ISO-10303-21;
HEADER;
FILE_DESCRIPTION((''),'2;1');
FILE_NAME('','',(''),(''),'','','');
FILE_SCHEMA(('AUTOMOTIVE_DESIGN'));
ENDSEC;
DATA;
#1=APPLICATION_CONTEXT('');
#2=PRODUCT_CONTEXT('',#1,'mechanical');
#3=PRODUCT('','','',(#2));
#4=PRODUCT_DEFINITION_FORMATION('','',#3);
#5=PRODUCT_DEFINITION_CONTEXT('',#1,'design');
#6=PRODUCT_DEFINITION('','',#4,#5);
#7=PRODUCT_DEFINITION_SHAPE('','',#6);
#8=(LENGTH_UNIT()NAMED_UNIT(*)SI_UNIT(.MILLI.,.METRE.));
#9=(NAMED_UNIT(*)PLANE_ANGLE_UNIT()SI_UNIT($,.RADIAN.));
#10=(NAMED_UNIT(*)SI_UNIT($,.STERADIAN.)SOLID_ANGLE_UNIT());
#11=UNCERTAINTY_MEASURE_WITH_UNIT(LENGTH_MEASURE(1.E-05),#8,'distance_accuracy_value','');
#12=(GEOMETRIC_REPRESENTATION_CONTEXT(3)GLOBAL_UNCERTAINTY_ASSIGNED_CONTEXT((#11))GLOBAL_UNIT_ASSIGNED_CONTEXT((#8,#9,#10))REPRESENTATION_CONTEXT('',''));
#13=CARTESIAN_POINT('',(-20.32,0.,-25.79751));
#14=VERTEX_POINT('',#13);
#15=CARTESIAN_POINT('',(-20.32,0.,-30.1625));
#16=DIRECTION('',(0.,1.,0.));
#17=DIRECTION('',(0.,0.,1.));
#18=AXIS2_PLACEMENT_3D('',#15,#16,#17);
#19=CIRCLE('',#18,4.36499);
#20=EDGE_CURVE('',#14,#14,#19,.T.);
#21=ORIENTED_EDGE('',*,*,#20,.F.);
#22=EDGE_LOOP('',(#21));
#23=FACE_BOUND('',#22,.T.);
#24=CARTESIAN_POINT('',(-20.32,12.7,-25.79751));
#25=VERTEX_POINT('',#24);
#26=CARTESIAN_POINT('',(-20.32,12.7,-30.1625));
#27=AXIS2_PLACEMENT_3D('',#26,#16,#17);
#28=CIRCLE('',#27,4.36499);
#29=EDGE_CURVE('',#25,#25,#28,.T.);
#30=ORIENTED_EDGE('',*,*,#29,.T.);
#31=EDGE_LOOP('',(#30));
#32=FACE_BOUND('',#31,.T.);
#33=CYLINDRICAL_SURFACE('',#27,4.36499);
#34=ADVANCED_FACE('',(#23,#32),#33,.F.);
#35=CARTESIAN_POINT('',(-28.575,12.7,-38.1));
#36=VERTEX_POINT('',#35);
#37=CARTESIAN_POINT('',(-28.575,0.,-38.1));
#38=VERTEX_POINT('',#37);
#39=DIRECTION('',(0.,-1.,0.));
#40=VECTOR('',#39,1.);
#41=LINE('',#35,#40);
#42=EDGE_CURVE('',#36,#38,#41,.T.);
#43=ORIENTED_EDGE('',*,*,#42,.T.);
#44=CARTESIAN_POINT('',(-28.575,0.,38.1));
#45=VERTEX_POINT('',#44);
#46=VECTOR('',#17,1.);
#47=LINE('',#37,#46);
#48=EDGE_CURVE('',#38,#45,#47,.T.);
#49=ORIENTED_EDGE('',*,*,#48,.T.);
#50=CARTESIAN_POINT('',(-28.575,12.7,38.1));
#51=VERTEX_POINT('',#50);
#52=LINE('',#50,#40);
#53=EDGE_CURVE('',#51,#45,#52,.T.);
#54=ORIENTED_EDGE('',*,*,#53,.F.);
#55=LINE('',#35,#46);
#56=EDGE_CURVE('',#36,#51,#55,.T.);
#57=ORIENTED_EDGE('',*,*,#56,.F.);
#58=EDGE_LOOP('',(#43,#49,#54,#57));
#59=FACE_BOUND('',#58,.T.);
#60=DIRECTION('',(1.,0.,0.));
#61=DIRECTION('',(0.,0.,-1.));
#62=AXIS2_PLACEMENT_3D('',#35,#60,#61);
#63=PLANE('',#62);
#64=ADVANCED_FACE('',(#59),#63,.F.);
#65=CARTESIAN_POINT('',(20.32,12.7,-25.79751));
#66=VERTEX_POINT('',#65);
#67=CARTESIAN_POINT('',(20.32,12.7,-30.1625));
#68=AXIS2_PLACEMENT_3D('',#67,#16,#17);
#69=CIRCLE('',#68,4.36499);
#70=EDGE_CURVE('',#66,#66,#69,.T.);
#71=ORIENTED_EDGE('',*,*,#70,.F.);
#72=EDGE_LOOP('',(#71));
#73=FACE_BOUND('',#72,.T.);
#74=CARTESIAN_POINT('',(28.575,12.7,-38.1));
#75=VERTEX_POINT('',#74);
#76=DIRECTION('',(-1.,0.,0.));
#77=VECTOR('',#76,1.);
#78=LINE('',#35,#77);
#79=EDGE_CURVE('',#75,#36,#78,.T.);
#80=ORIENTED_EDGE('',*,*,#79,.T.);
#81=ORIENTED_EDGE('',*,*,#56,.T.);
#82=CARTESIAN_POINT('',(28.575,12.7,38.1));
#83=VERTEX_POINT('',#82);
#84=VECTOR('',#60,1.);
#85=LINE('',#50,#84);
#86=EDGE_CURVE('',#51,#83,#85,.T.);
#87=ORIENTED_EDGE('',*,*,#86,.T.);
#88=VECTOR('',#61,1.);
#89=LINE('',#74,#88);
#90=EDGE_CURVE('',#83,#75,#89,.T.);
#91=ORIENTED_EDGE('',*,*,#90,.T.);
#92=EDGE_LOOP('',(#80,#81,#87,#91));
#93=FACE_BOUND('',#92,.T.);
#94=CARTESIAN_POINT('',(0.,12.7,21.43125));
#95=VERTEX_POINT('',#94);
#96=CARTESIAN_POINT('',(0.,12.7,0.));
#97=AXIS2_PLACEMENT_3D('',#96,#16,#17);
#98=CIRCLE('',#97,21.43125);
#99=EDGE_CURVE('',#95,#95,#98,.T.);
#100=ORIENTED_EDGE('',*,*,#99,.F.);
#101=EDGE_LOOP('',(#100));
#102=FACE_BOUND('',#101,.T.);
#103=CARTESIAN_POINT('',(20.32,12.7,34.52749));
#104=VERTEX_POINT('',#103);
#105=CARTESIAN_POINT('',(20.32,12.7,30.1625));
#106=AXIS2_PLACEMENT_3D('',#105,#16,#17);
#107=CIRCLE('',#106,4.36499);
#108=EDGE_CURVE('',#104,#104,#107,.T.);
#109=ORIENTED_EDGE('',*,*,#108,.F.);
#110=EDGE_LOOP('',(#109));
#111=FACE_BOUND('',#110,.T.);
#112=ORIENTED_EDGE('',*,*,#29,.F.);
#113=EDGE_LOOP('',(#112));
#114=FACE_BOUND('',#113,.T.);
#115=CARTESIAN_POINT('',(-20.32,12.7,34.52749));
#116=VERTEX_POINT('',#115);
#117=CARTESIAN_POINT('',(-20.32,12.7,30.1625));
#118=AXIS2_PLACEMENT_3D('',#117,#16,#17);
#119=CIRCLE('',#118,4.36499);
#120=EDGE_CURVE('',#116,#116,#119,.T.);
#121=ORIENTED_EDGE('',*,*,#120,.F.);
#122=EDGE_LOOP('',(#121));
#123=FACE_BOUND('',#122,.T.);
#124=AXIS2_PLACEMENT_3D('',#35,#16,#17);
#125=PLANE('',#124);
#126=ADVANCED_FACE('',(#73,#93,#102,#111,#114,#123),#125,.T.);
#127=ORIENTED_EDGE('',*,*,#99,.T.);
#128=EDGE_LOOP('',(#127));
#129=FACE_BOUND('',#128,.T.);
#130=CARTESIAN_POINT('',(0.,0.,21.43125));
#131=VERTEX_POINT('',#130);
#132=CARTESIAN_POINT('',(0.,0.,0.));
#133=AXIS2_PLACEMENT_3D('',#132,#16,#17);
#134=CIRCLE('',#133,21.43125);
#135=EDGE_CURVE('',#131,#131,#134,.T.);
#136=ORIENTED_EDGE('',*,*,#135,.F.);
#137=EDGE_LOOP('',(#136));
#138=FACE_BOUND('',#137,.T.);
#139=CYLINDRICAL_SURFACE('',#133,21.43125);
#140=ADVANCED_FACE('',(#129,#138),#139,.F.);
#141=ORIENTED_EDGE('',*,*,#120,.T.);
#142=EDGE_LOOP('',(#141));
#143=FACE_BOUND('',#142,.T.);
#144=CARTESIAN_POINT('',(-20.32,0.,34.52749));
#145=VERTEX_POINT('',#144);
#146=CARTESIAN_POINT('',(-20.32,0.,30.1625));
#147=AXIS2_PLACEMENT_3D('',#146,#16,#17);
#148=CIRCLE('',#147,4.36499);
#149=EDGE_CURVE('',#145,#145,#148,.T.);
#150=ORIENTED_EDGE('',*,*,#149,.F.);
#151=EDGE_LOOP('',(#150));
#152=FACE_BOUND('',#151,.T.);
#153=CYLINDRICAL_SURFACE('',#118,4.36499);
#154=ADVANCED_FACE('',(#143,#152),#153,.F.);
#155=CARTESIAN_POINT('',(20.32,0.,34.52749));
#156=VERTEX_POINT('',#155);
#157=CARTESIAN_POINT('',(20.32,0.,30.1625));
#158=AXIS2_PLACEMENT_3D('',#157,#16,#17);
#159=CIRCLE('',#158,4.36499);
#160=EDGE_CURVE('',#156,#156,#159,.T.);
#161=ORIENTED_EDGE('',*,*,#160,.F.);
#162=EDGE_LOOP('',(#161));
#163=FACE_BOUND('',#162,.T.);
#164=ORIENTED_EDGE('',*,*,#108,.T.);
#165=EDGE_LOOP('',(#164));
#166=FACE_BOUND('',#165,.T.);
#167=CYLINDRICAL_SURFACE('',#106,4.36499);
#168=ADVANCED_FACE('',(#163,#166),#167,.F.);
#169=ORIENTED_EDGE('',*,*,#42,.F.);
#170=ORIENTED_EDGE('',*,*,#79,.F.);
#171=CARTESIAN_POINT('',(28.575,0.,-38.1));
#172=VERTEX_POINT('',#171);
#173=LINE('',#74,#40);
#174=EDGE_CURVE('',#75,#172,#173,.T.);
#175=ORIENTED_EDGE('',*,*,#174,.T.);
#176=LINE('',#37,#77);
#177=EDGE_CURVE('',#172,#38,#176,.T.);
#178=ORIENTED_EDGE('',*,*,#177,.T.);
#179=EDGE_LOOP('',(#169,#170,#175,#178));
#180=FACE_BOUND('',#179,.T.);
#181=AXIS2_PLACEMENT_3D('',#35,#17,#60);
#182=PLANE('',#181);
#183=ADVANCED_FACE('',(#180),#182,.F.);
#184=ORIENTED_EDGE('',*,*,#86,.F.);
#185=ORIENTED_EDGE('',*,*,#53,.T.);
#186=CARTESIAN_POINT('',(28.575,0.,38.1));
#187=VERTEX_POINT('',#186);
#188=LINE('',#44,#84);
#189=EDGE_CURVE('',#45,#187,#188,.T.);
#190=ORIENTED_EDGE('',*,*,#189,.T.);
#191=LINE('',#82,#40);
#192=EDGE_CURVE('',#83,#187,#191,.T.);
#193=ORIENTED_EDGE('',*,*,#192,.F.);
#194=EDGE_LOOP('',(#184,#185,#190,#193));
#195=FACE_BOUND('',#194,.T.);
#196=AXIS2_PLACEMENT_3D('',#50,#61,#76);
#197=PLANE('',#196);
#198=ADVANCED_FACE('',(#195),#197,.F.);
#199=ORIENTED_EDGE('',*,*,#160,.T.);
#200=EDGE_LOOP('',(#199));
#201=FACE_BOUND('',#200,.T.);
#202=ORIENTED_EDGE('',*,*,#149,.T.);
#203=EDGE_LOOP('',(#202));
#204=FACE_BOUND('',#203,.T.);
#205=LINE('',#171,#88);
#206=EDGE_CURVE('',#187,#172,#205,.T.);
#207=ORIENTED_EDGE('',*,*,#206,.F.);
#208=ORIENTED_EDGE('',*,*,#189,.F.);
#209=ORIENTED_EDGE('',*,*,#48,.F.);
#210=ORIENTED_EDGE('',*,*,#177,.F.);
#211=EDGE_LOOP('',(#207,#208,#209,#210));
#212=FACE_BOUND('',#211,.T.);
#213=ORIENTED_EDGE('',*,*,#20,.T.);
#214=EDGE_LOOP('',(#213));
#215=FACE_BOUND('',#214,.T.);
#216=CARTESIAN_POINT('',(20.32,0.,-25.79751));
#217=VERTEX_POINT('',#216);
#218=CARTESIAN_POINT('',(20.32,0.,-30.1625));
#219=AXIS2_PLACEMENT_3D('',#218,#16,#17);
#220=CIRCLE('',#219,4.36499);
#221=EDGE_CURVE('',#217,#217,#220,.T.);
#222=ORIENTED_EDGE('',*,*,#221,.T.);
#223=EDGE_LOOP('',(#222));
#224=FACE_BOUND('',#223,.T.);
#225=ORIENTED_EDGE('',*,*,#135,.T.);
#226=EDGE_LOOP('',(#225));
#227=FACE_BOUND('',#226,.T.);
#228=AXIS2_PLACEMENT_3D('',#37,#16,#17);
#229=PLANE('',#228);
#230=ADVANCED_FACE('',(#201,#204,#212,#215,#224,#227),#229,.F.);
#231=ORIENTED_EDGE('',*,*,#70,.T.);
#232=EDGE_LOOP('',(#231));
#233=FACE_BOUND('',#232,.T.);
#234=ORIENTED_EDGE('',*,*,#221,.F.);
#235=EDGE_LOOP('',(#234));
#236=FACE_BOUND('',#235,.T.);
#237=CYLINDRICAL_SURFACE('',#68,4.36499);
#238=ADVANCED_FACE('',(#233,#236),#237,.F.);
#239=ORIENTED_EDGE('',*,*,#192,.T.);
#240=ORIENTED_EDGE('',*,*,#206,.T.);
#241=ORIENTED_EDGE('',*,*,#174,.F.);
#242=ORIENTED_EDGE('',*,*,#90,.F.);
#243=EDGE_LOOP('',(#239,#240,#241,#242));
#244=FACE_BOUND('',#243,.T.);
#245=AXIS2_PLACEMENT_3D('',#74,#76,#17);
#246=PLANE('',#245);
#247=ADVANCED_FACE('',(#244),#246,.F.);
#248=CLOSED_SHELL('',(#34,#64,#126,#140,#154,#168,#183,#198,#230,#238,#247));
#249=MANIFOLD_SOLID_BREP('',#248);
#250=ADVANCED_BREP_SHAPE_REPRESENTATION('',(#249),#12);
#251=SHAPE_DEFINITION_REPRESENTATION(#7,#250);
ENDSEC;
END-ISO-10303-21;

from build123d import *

# Parameters (mm, degrees)
SKETCH1_W                = 57.15
SKETCH1_H                = 76.2
EXTRUDE1_DEPTH           = 12.7
SKETCH9_R                = 21.43125
CUT_EXTRUDE1_DEPTH       = 50.289254661
F_5_16_CLEARANCE_HOLE1_D = 8.72998


with BuildPart() as part:
    # Sketch1 → Extrude1 (new body)
    with BuildSketch(Plane(origin=(0, 0, 0), x_dir=(1, 0, 0), z_dir=(0, 1, 0))):
        Rectangle(SKETCH1_W, SKETCH1_H)
    extrude(amount=EXTRUDE1_DEPTH)

    # Sketch9 → Cut-Extrude1 (cut, through all)
    with BuildSketch(Plane(origin=(0, 12.7, 0), x_dir=(-1, 0, 0), z_dir=(0, 1, 0))):
        with Locations(Location((0, 0, 0), (0, 0, 90))):
            Circle(SKETCH9_R)
    extrude(amount=-CUT_EXTRUDE1_DEPTH, mode=Mode.SUBTRACT)

    # 5/16 Clearance Hole1 (through all)
    with Locations(Plane(origin=(0, 12.7, 0), x_dir=(-1, 0, 0), z_dir=(0, 1, 0))):
        with Locations((20.32, -30.1625), (-20.32, -30.1625), (-20.32, 30.1625), (20.32, 30.1625)):
            Hole(F_5_16_CLEARANCE_HOLE1_D / 2)


solid = part.part
